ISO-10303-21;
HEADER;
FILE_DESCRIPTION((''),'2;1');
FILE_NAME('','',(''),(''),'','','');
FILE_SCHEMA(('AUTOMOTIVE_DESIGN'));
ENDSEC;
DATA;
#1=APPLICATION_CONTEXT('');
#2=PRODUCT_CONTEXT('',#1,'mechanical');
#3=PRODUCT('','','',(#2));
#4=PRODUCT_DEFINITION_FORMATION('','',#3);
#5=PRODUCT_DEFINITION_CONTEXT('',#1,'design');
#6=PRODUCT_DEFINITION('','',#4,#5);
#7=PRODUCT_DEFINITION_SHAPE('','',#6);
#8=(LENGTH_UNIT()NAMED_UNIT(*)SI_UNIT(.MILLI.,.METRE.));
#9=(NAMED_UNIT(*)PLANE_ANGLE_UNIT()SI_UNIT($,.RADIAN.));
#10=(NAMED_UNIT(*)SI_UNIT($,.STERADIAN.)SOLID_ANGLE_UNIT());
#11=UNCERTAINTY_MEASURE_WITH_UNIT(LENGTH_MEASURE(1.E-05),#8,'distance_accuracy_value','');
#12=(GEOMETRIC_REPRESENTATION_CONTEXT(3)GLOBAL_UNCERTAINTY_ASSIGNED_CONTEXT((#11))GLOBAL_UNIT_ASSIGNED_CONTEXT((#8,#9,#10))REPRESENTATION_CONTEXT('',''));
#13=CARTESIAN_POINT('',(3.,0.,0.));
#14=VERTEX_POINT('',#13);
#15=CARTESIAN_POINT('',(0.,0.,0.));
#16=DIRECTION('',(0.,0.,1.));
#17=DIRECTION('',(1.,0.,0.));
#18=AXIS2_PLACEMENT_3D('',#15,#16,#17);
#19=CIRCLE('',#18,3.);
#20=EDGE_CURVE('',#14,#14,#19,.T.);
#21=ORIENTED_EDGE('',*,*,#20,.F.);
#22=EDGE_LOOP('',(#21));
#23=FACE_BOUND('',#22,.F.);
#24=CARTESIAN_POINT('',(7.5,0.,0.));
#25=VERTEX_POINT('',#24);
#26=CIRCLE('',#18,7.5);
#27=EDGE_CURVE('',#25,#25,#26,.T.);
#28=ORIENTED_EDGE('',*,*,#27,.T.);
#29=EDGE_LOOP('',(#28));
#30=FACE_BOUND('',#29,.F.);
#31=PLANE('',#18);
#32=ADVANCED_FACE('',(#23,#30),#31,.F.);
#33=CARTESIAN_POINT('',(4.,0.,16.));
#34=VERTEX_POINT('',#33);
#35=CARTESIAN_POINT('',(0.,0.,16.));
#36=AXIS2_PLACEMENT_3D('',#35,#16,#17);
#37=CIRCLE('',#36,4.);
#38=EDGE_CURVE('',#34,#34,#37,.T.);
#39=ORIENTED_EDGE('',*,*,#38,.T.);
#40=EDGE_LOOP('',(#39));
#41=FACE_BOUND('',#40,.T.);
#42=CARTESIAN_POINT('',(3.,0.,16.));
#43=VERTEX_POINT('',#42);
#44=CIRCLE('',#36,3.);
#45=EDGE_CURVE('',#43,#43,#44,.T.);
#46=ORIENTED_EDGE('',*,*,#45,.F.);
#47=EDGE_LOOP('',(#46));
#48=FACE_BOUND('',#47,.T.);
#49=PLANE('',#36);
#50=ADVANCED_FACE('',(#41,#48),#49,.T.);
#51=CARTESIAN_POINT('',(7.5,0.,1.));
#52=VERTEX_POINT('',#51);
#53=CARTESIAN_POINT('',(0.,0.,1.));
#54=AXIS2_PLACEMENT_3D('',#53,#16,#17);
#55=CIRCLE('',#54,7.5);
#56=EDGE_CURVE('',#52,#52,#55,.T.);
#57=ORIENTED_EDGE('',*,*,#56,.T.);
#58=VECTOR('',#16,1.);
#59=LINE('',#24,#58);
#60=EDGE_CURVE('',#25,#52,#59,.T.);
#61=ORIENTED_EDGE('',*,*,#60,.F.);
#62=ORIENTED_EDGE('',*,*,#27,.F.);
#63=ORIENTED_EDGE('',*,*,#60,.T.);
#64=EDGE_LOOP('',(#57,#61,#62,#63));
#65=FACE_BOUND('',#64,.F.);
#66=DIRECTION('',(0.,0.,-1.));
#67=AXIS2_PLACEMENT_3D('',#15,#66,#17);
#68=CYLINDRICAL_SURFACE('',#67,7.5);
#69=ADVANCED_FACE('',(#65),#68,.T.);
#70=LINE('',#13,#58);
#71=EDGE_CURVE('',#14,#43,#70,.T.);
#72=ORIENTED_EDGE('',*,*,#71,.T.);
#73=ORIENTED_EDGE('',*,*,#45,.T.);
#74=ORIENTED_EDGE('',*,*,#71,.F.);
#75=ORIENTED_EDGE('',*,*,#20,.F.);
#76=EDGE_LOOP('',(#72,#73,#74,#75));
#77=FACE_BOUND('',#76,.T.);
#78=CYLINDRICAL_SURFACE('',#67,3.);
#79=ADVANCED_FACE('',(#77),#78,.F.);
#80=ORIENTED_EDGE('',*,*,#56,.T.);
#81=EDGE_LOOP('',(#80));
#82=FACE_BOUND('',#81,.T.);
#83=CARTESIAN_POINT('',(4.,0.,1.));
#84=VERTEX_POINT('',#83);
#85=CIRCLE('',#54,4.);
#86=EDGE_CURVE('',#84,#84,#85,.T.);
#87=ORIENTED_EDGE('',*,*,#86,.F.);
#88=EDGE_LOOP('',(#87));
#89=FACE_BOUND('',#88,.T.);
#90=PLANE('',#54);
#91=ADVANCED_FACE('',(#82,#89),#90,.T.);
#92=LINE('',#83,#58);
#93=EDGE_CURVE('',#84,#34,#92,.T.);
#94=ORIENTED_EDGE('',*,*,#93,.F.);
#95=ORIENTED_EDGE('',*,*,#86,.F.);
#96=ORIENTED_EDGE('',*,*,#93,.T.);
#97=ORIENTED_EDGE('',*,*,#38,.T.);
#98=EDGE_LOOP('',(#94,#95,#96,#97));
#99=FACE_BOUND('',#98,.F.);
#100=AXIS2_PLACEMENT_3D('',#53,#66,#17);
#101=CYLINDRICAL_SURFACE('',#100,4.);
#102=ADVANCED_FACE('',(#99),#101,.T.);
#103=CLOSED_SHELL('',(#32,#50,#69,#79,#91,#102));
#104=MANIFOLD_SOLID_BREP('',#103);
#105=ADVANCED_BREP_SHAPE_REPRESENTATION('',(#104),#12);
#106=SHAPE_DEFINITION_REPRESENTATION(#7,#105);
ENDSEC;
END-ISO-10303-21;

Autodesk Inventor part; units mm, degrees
ref_plane "YZ Plane" through (0, 0, 0) normal (1, 0, 0) x (0, 1, 0)
ref_plane "XZ Plane" through (0, 0, 0) normal (0, 1, 0) x (-1, 0, 0)
ref_plane "XY Plane" through (0, 0, 0) normal (0, 0, 1) x (1, 0, 0)
sketch "Sketch1" plane through (0, 0, 0) normal (0, 0, 1) x (1, 0, 0)
  circle A0 centre (0, 0) radius 3
  circle A1 centre (0, 0) radius 7.5
  dimension "d0" = 6
  dimension "d1" = 15
extrude "Extrusion1" add sketch "Sketch1" along normal blind 1
sketch "Sketch2" plane through (0, 0, 1) normal (0, 0, 1) x (1, 0, 0)
  circle A0 centre (0, 0) radius 3 projected
  circle A1 centre (0, 0) radius 7.5 projected
  circle A2 centre (0, 0) radius 4
  dimension "d4" = 8
extrude "Extrusion2" add sketch "Sketch2" along normal blind 15 contours A2
properties part number "Spoel" material "ABS Plastic"
